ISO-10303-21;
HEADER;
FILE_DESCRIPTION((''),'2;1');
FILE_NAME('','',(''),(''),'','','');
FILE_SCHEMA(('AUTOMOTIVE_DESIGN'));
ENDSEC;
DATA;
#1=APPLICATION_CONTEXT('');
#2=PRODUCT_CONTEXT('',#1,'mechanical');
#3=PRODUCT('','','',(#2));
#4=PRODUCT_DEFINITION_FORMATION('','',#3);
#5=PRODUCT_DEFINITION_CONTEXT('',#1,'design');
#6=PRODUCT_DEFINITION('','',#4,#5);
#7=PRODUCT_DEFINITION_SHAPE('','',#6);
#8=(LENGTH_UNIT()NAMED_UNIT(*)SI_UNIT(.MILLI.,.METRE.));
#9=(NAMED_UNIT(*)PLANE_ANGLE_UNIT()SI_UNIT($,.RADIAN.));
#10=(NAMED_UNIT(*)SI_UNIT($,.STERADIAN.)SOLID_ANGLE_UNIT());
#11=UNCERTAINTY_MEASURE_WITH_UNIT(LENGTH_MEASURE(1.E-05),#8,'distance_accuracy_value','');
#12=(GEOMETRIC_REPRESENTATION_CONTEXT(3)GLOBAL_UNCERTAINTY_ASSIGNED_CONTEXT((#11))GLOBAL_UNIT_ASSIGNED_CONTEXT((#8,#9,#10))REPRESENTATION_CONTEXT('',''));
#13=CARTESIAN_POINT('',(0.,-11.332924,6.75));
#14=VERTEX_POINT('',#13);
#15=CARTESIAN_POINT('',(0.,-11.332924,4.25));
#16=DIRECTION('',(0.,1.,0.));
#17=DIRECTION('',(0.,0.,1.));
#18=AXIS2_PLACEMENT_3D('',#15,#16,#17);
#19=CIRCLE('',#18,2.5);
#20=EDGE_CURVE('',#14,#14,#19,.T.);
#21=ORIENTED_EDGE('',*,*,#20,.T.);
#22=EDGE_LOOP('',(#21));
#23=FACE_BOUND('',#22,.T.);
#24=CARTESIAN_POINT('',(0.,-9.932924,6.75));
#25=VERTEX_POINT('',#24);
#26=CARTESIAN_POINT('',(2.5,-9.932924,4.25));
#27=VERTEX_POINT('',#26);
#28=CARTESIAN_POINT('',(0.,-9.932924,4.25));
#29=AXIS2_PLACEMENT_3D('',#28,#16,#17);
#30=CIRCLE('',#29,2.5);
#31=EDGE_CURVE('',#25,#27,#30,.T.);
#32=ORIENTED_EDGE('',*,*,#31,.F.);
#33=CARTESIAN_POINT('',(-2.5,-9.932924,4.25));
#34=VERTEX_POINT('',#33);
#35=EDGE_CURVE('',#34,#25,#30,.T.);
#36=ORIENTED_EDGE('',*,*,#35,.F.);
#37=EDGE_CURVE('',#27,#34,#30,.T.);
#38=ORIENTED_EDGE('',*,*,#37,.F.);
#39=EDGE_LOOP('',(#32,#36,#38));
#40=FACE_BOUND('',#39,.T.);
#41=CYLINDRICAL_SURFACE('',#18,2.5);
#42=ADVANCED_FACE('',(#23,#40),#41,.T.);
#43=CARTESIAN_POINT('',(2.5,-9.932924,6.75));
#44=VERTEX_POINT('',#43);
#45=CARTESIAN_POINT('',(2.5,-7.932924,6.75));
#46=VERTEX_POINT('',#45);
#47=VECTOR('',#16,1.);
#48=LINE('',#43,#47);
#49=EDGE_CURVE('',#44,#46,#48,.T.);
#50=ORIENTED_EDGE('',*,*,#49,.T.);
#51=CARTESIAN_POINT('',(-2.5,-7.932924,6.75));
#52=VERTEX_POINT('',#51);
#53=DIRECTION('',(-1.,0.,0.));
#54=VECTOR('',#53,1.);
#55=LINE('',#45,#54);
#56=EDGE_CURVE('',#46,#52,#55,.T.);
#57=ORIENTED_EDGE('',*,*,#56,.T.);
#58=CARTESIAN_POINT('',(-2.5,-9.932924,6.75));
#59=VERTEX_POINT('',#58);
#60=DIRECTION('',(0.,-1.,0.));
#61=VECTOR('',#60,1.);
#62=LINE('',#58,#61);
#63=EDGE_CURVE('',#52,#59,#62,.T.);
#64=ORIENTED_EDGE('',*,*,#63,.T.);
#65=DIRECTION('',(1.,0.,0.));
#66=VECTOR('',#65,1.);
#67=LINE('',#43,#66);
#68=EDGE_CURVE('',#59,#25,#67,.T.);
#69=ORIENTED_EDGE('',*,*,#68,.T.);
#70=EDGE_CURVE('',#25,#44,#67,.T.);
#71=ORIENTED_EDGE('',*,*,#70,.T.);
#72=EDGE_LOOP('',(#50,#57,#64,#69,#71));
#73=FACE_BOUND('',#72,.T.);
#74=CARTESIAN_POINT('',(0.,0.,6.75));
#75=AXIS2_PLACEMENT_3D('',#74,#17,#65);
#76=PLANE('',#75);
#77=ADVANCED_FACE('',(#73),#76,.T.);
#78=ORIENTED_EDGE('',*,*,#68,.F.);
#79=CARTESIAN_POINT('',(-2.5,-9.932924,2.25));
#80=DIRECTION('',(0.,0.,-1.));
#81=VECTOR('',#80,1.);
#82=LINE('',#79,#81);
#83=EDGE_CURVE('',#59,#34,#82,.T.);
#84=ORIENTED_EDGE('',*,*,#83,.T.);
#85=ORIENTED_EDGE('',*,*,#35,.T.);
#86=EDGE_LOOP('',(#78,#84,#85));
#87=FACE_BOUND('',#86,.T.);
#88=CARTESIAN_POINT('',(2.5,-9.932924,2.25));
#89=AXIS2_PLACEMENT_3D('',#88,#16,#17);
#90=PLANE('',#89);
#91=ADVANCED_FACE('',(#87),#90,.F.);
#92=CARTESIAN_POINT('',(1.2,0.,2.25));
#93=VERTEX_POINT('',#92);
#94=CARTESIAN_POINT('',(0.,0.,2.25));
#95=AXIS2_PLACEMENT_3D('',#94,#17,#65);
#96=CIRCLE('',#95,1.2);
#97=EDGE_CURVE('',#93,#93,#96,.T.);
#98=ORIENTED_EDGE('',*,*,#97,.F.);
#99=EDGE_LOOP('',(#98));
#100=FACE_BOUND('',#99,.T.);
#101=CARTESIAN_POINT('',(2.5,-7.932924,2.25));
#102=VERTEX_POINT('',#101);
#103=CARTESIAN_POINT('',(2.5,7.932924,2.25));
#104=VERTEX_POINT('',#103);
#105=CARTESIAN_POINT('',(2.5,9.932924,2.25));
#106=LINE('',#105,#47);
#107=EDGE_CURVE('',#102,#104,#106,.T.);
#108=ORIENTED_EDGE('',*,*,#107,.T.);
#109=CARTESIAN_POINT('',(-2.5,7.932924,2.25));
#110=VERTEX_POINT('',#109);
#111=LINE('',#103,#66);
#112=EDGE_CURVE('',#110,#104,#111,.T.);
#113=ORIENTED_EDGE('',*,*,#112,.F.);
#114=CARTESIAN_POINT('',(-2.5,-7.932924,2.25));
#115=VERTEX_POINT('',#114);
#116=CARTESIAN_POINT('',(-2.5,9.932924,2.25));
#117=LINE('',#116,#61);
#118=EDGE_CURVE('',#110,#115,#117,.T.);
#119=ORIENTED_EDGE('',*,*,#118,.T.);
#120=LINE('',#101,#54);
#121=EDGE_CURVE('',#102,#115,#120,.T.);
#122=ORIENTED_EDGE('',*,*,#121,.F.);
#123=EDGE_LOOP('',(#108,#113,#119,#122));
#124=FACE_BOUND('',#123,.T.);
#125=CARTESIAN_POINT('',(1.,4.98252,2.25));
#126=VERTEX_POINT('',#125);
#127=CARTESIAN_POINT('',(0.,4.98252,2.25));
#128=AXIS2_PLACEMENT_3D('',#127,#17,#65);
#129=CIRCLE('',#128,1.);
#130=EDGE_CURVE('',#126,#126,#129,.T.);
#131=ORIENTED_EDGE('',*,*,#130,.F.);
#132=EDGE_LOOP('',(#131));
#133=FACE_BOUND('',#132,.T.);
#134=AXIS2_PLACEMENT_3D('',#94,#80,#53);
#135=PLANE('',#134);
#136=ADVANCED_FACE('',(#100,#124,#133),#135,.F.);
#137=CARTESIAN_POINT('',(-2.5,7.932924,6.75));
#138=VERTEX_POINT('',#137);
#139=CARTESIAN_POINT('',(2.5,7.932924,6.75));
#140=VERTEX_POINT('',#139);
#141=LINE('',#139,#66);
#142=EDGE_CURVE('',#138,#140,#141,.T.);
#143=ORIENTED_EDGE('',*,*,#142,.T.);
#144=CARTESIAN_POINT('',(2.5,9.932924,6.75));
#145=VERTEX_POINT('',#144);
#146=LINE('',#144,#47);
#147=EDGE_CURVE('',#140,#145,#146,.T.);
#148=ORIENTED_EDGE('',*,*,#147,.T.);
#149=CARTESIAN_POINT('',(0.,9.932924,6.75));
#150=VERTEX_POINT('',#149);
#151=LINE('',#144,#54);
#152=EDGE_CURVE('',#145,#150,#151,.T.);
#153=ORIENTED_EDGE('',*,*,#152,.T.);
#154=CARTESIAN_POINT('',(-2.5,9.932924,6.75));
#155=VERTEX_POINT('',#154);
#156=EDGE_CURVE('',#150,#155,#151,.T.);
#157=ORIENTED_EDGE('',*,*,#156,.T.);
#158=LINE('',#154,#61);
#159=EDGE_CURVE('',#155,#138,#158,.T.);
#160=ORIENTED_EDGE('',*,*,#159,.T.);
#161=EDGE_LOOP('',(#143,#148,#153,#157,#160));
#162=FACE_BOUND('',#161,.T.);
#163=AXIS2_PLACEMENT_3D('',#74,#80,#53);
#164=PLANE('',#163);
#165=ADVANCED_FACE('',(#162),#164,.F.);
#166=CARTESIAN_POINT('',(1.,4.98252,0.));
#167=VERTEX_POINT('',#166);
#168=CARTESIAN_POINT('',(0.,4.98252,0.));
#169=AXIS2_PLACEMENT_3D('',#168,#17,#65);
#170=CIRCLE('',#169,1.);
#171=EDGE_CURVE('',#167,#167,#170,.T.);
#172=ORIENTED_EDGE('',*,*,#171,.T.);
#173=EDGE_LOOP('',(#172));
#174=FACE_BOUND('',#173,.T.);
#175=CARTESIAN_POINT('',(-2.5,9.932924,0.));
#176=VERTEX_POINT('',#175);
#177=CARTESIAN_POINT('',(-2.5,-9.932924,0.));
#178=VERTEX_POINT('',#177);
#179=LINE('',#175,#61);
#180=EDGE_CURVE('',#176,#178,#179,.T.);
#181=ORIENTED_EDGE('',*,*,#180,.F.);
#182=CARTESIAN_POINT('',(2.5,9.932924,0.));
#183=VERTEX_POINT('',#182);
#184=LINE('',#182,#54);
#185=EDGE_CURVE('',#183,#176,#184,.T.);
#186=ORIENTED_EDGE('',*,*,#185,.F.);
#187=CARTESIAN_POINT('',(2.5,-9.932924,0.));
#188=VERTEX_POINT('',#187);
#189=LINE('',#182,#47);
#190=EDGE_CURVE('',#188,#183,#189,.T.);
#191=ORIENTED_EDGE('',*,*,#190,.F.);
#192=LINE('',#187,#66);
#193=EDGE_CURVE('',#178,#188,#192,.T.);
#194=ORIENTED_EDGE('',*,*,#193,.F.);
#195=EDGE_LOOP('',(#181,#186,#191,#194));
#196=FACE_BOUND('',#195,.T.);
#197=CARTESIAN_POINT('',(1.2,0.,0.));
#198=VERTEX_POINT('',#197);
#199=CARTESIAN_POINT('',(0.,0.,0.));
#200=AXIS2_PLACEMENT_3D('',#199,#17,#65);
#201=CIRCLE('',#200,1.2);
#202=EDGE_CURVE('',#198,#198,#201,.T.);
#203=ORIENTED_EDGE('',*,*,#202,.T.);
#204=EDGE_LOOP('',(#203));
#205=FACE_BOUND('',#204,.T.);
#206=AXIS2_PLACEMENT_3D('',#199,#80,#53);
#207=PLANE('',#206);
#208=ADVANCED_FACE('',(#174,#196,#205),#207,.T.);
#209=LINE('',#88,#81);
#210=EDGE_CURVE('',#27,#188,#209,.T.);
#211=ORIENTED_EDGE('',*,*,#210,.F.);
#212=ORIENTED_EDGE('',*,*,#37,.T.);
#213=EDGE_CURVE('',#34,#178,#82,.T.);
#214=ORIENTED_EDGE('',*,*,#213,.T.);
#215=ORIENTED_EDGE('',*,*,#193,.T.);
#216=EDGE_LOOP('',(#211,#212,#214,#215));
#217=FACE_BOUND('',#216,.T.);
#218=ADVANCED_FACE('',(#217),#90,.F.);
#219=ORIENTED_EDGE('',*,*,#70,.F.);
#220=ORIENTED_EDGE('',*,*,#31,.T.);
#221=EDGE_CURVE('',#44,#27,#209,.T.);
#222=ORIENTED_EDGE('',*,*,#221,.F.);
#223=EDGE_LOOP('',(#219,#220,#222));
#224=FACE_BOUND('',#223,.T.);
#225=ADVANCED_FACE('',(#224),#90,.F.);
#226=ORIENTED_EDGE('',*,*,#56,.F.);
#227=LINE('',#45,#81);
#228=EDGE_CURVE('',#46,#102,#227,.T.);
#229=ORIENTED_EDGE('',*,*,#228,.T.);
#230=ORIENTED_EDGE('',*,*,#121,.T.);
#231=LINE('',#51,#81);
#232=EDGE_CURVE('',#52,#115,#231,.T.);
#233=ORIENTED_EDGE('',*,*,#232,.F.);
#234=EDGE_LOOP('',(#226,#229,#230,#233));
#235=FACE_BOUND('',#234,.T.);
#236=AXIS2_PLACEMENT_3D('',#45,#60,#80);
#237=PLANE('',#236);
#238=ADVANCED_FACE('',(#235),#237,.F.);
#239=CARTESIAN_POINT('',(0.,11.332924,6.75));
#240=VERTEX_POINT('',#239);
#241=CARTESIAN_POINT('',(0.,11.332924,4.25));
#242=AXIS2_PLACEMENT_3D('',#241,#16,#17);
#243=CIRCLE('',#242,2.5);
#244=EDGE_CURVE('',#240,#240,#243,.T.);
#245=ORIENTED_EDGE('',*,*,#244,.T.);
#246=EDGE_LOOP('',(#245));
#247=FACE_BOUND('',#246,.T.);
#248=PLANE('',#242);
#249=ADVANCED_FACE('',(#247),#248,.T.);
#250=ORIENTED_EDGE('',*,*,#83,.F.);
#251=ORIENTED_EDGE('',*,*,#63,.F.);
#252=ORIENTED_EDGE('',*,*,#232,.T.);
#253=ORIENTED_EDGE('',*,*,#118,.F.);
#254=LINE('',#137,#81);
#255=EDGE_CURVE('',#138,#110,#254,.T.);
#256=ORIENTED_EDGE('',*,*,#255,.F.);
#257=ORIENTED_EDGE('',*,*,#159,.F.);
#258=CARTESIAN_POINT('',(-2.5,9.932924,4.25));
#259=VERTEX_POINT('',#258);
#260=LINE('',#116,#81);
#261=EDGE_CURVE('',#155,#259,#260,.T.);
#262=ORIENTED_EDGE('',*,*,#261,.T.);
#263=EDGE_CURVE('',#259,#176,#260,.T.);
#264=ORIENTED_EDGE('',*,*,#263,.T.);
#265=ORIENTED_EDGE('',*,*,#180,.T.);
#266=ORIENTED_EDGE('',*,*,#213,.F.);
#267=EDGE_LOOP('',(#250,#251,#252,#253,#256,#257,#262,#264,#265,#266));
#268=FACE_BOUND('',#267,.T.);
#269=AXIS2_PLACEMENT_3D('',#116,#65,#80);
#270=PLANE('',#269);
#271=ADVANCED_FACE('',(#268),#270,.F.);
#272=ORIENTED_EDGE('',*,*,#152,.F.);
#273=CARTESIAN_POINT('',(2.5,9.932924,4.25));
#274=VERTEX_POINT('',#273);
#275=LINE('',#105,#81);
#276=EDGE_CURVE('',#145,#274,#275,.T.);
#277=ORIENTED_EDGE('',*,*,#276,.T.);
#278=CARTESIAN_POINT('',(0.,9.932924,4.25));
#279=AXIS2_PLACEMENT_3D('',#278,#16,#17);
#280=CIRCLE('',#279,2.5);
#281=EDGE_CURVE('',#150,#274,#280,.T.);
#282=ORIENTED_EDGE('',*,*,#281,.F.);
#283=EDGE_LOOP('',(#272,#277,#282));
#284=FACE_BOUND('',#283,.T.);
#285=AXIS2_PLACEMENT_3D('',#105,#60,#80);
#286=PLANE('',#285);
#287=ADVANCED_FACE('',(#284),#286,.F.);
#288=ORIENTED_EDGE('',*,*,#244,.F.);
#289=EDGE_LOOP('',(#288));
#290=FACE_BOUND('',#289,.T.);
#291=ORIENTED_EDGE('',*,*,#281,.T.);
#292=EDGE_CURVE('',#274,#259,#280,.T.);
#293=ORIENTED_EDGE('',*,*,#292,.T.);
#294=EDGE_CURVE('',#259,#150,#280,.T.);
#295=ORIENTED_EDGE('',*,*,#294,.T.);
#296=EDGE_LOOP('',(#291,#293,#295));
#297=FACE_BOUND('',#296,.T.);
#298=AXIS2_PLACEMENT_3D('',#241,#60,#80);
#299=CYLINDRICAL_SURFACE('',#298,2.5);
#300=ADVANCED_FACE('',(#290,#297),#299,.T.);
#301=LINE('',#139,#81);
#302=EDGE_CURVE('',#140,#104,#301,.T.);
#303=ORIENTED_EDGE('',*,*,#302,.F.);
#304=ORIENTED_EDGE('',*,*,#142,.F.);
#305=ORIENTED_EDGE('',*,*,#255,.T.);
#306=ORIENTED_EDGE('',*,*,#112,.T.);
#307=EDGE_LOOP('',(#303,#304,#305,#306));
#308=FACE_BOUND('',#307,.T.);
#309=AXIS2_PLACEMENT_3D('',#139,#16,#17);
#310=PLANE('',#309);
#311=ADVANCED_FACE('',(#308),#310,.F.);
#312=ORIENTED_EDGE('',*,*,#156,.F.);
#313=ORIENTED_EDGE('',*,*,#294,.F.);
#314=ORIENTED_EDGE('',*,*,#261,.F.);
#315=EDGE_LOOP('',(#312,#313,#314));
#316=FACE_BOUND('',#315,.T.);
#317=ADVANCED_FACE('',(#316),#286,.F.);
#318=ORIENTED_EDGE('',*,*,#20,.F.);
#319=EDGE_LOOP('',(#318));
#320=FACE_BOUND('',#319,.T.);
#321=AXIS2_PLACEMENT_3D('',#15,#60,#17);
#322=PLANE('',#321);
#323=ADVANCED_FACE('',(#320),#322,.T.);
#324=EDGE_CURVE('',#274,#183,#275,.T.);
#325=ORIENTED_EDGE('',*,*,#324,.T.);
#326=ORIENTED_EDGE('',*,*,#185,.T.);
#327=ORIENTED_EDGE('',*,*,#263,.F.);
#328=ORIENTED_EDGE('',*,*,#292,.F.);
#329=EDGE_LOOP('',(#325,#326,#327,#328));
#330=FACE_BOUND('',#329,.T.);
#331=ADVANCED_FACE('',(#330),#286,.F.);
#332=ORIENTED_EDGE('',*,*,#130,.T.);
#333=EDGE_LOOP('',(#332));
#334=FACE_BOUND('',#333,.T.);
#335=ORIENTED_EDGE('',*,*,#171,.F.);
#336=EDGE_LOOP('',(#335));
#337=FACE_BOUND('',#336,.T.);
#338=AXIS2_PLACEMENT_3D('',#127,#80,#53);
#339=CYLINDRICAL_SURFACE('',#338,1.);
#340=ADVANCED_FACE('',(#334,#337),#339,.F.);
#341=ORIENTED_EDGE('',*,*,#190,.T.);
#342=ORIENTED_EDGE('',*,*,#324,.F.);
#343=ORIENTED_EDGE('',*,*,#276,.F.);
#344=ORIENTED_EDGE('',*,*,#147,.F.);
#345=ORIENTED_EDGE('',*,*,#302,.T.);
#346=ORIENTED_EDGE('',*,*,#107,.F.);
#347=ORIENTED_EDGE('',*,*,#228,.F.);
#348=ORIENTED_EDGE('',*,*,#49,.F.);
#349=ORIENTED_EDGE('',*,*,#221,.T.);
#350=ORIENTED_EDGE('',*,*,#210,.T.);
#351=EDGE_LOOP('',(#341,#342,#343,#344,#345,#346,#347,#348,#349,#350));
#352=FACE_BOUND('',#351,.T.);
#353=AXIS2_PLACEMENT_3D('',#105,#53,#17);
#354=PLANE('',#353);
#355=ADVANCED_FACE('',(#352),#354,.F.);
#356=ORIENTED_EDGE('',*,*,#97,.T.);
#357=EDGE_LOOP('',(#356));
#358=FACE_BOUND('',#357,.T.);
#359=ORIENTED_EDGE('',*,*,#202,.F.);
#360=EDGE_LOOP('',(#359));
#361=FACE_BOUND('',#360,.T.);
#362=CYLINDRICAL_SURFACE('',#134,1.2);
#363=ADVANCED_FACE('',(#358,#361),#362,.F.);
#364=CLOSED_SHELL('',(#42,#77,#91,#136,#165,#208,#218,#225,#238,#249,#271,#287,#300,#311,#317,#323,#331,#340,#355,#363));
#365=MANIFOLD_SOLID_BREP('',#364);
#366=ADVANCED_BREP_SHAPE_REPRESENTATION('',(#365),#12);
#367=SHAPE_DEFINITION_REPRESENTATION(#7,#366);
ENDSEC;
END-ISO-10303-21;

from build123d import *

# Parameters (mm, degrees)
SKETCH_1_W      = 5
SKETCH_1_H      = 19.865848542
SKETCH_1_R      = 1.200000017
SKETCH_1_R_2    = 1.000000001
EXTRUDE_1_DEPTH = 2.25
SKETCH_2_W      = 5
SKETCH_2_H      = 2
EXTRUDE_2_DEPTH = 4.5
SKETCH_3_R      = 2.5
EXTRUDE_3_DEPTH = 1.4


with BuildPart() as part:
    # 草图1 → 凸台-拉伸1 (new body)
    with BuildSketch(Plane.XY):
        Rectangle(SKETCH_1_W, SKETCH_1_H)
        with Locations((-3.5e-08, -2.5e-08)):
            Circle(SKETCH_1_R, mode=Mode.SUBTRACT)
        with Locations((1.04e-07, 4.982520103)):
            Circle(SKETCH_1_R_2, mode=Mode.SUBTRACT)
    extrude(amount=EXTRUDE_1_DEPTH)

    # 草图2 → 凸台-拉伸2 (add)
    with BuildSketch(Plane.XY.offset(2.25)):
        with Locations((0, 8.932924271)):
            Rectangle(SKETCH_2_W, SKETCH_2_H)
        with Locations((0, -8.932924271)):
            Rectangle(SKETCH_2_W, SKETCH_2_H)
    extrude(amount=EXTRUDE_2_DEPTH)

    # 草图3 → 凸台-拉伸3 (add)
    with BuildSketch(Plane(origin=(0, 9.932924271, 0), x_dir=(1, 0, 0), z_dir=(0, 1, 0))):
        with Locations((0, -4.25)):
            Circle(SKETCH_3_R)
    extrude_3 = extrude(amount=EXTRUDE_3_DEPTH)

    # 镜向1: 凸台-拉伸3 across plane
    add(extrude_3.mirror(Plane.ZX))


solid = part.part
